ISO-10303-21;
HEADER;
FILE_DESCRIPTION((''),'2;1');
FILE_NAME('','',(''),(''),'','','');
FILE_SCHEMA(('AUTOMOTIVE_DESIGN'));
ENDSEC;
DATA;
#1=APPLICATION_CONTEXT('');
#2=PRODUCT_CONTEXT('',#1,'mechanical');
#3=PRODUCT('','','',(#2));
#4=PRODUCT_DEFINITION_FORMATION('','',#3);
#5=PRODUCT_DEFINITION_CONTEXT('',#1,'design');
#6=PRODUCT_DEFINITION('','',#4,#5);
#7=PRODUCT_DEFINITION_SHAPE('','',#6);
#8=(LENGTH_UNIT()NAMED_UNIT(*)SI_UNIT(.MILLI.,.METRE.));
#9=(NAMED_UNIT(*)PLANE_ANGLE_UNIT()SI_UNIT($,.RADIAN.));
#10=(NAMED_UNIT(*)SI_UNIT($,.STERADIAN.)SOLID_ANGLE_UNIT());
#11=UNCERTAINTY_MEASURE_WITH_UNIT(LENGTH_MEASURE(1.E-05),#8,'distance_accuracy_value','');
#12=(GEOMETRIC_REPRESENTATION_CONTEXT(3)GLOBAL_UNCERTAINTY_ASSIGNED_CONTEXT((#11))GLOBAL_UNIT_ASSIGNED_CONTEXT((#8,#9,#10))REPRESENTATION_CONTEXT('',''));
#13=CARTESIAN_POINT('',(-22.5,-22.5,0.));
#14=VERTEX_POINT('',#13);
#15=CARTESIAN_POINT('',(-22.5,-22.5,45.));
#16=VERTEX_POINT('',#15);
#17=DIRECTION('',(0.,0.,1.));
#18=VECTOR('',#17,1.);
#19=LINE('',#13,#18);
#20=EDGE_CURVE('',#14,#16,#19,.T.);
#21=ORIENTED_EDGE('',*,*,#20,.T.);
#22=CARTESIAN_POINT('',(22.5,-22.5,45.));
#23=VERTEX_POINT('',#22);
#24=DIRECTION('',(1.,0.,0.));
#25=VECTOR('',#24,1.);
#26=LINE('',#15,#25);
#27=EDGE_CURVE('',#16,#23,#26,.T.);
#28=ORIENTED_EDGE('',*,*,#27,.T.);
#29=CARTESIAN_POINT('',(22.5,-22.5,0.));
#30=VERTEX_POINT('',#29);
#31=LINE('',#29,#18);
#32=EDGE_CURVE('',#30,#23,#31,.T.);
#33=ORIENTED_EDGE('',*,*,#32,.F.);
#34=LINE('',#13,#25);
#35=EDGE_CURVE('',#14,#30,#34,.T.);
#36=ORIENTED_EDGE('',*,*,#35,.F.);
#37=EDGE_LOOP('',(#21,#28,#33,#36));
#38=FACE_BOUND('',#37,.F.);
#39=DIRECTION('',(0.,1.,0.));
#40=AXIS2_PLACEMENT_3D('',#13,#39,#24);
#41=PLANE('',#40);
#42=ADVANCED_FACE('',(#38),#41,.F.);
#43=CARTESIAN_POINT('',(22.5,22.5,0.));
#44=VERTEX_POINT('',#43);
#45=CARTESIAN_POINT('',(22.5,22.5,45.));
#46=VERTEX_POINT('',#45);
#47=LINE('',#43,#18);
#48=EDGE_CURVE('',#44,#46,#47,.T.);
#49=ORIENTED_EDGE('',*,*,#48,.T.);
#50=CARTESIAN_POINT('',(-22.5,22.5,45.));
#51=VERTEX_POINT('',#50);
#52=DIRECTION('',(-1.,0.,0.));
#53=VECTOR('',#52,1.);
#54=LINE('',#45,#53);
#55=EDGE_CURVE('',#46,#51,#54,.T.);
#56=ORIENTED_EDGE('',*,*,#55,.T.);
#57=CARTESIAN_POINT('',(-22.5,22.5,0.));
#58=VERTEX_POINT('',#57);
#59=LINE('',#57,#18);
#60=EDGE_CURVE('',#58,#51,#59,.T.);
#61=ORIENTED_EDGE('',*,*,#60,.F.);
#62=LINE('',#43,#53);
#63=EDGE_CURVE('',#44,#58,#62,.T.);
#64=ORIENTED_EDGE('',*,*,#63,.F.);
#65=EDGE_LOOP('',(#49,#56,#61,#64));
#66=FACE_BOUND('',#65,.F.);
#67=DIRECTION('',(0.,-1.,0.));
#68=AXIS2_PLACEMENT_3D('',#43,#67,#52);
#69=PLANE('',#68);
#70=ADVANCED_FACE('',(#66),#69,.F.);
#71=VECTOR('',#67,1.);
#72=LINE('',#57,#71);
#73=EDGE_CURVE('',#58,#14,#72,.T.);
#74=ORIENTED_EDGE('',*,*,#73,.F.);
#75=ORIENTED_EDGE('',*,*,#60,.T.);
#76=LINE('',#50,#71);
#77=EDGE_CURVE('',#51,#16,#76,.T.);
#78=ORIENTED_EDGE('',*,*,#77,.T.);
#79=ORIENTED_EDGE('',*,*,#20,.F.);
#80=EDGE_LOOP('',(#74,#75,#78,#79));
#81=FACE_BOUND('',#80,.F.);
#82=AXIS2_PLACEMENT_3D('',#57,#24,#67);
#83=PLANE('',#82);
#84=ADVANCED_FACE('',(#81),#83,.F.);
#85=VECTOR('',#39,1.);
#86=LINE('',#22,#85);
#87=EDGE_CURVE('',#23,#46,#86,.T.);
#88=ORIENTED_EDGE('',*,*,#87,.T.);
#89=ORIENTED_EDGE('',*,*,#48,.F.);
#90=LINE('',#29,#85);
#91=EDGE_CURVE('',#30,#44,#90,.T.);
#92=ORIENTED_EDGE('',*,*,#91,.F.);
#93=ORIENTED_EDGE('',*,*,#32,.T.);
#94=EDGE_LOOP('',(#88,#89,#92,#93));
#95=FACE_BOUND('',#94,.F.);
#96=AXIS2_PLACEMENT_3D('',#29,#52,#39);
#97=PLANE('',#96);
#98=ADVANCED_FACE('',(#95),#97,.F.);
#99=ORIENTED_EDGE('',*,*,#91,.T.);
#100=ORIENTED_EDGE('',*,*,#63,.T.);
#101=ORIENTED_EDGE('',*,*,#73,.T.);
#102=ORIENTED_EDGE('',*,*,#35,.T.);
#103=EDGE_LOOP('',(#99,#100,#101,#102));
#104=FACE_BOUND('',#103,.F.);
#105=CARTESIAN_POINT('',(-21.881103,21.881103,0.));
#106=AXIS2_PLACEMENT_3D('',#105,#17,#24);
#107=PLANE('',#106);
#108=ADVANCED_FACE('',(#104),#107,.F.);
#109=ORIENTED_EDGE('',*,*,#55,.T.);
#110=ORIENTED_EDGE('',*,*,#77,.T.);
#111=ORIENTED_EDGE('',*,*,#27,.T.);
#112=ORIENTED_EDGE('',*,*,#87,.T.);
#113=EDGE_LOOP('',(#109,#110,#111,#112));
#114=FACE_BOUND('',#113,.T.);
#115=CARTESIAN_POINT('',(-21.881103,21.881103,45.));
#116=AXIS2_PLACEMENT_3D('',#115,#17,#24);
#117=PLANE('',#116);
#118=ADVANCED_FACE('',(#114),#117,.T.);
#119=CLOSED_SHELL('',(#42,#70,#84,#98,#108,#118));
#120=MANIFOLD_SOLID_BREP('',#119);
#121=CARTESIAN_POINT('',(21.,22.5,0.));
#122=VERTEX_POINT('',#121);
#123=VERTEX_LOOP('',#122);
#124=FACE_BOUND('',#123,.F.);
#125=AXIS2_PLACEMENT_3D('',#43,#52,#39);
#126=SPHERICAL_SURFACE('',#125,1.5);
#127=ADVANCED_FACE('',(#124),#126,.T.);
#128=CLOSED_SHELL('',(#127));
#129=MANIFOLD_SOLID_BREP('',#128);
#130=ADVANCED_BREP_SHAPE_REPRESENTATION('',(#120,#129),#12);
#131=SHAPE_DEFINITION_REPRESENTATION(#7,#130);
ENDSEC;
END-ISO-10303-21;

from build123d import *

# Parameters (mm, degrees)
F1_DEPTH = 45


with BuildPart() as f1:
    # F0 (on Top) → F1 (new body)
    with BuildSketch(Plane.XY):
        with BuildLine():
            Line((-21, 22.5), (-22.5, 22.5))
            Line((-22.5, 22.5), (-22.5, 21))
            ThreePointArc((-22.5, 21), (-21.43934, 21.43934), (-21, 22.5))
        make_face()
        with BuildLine():
            Line((21, 22.5), (-21, 22.5))
            ThreePointArc((-21, 22.5), (-21.43934, 21.43934), (-22.5, 21))
            Line((-22.5, 21), (-22.5, -21))
            ThreePointArc((-22.5, -21), (-21.43934, -21.43934), (-21, -22.5))
            Line((-21, -22.5), (21, -22.5))
            ThreePointArc((21, -22.5), (21.43934, -21.43934), (22.5, -21))
            Line((22.5, -21), (22.5, 22.5))
            Line((22.5, 22.5), (21, 22.5))
        make_face()
        with BuildLine():
            Line((22.5, -22.5), (22.5, -21))
            ThreePointArc((22.5, -21), (21.43934, -21.43934), (21, -22.5))
            Line((21, -22.5), (22.5, -22.5))
        make_face()
        with BuildLine():
            ThreePointArc((-21, -22.5), (-21.43934, -21.43934), (-22.5, -21))
            Line((-22.5, -21), (-22.5, -22.5))
            Line((-22.5, -22.5), (-21, -22.5))
        make_face()
    extrude(amount=F1_DEPTH)


with BuildPart() as f2:
    # F0 (on Top) → F2 (revolve)
    with BuildSketch(Plane.XY):
        with BuildLine():
            ThreePointArc((24, 22.5), (22.5, 24), (21, 22.5))
            Line((21, 22.5), (22.5, 22.5))
            Line((22.5, 22.5), (24, 22.5))
        make_face()
    revolve(axis=Axis((23.25, 22.5, 0), (1, 0, 0)))


solid = Compound([f1.part, f2.part])
